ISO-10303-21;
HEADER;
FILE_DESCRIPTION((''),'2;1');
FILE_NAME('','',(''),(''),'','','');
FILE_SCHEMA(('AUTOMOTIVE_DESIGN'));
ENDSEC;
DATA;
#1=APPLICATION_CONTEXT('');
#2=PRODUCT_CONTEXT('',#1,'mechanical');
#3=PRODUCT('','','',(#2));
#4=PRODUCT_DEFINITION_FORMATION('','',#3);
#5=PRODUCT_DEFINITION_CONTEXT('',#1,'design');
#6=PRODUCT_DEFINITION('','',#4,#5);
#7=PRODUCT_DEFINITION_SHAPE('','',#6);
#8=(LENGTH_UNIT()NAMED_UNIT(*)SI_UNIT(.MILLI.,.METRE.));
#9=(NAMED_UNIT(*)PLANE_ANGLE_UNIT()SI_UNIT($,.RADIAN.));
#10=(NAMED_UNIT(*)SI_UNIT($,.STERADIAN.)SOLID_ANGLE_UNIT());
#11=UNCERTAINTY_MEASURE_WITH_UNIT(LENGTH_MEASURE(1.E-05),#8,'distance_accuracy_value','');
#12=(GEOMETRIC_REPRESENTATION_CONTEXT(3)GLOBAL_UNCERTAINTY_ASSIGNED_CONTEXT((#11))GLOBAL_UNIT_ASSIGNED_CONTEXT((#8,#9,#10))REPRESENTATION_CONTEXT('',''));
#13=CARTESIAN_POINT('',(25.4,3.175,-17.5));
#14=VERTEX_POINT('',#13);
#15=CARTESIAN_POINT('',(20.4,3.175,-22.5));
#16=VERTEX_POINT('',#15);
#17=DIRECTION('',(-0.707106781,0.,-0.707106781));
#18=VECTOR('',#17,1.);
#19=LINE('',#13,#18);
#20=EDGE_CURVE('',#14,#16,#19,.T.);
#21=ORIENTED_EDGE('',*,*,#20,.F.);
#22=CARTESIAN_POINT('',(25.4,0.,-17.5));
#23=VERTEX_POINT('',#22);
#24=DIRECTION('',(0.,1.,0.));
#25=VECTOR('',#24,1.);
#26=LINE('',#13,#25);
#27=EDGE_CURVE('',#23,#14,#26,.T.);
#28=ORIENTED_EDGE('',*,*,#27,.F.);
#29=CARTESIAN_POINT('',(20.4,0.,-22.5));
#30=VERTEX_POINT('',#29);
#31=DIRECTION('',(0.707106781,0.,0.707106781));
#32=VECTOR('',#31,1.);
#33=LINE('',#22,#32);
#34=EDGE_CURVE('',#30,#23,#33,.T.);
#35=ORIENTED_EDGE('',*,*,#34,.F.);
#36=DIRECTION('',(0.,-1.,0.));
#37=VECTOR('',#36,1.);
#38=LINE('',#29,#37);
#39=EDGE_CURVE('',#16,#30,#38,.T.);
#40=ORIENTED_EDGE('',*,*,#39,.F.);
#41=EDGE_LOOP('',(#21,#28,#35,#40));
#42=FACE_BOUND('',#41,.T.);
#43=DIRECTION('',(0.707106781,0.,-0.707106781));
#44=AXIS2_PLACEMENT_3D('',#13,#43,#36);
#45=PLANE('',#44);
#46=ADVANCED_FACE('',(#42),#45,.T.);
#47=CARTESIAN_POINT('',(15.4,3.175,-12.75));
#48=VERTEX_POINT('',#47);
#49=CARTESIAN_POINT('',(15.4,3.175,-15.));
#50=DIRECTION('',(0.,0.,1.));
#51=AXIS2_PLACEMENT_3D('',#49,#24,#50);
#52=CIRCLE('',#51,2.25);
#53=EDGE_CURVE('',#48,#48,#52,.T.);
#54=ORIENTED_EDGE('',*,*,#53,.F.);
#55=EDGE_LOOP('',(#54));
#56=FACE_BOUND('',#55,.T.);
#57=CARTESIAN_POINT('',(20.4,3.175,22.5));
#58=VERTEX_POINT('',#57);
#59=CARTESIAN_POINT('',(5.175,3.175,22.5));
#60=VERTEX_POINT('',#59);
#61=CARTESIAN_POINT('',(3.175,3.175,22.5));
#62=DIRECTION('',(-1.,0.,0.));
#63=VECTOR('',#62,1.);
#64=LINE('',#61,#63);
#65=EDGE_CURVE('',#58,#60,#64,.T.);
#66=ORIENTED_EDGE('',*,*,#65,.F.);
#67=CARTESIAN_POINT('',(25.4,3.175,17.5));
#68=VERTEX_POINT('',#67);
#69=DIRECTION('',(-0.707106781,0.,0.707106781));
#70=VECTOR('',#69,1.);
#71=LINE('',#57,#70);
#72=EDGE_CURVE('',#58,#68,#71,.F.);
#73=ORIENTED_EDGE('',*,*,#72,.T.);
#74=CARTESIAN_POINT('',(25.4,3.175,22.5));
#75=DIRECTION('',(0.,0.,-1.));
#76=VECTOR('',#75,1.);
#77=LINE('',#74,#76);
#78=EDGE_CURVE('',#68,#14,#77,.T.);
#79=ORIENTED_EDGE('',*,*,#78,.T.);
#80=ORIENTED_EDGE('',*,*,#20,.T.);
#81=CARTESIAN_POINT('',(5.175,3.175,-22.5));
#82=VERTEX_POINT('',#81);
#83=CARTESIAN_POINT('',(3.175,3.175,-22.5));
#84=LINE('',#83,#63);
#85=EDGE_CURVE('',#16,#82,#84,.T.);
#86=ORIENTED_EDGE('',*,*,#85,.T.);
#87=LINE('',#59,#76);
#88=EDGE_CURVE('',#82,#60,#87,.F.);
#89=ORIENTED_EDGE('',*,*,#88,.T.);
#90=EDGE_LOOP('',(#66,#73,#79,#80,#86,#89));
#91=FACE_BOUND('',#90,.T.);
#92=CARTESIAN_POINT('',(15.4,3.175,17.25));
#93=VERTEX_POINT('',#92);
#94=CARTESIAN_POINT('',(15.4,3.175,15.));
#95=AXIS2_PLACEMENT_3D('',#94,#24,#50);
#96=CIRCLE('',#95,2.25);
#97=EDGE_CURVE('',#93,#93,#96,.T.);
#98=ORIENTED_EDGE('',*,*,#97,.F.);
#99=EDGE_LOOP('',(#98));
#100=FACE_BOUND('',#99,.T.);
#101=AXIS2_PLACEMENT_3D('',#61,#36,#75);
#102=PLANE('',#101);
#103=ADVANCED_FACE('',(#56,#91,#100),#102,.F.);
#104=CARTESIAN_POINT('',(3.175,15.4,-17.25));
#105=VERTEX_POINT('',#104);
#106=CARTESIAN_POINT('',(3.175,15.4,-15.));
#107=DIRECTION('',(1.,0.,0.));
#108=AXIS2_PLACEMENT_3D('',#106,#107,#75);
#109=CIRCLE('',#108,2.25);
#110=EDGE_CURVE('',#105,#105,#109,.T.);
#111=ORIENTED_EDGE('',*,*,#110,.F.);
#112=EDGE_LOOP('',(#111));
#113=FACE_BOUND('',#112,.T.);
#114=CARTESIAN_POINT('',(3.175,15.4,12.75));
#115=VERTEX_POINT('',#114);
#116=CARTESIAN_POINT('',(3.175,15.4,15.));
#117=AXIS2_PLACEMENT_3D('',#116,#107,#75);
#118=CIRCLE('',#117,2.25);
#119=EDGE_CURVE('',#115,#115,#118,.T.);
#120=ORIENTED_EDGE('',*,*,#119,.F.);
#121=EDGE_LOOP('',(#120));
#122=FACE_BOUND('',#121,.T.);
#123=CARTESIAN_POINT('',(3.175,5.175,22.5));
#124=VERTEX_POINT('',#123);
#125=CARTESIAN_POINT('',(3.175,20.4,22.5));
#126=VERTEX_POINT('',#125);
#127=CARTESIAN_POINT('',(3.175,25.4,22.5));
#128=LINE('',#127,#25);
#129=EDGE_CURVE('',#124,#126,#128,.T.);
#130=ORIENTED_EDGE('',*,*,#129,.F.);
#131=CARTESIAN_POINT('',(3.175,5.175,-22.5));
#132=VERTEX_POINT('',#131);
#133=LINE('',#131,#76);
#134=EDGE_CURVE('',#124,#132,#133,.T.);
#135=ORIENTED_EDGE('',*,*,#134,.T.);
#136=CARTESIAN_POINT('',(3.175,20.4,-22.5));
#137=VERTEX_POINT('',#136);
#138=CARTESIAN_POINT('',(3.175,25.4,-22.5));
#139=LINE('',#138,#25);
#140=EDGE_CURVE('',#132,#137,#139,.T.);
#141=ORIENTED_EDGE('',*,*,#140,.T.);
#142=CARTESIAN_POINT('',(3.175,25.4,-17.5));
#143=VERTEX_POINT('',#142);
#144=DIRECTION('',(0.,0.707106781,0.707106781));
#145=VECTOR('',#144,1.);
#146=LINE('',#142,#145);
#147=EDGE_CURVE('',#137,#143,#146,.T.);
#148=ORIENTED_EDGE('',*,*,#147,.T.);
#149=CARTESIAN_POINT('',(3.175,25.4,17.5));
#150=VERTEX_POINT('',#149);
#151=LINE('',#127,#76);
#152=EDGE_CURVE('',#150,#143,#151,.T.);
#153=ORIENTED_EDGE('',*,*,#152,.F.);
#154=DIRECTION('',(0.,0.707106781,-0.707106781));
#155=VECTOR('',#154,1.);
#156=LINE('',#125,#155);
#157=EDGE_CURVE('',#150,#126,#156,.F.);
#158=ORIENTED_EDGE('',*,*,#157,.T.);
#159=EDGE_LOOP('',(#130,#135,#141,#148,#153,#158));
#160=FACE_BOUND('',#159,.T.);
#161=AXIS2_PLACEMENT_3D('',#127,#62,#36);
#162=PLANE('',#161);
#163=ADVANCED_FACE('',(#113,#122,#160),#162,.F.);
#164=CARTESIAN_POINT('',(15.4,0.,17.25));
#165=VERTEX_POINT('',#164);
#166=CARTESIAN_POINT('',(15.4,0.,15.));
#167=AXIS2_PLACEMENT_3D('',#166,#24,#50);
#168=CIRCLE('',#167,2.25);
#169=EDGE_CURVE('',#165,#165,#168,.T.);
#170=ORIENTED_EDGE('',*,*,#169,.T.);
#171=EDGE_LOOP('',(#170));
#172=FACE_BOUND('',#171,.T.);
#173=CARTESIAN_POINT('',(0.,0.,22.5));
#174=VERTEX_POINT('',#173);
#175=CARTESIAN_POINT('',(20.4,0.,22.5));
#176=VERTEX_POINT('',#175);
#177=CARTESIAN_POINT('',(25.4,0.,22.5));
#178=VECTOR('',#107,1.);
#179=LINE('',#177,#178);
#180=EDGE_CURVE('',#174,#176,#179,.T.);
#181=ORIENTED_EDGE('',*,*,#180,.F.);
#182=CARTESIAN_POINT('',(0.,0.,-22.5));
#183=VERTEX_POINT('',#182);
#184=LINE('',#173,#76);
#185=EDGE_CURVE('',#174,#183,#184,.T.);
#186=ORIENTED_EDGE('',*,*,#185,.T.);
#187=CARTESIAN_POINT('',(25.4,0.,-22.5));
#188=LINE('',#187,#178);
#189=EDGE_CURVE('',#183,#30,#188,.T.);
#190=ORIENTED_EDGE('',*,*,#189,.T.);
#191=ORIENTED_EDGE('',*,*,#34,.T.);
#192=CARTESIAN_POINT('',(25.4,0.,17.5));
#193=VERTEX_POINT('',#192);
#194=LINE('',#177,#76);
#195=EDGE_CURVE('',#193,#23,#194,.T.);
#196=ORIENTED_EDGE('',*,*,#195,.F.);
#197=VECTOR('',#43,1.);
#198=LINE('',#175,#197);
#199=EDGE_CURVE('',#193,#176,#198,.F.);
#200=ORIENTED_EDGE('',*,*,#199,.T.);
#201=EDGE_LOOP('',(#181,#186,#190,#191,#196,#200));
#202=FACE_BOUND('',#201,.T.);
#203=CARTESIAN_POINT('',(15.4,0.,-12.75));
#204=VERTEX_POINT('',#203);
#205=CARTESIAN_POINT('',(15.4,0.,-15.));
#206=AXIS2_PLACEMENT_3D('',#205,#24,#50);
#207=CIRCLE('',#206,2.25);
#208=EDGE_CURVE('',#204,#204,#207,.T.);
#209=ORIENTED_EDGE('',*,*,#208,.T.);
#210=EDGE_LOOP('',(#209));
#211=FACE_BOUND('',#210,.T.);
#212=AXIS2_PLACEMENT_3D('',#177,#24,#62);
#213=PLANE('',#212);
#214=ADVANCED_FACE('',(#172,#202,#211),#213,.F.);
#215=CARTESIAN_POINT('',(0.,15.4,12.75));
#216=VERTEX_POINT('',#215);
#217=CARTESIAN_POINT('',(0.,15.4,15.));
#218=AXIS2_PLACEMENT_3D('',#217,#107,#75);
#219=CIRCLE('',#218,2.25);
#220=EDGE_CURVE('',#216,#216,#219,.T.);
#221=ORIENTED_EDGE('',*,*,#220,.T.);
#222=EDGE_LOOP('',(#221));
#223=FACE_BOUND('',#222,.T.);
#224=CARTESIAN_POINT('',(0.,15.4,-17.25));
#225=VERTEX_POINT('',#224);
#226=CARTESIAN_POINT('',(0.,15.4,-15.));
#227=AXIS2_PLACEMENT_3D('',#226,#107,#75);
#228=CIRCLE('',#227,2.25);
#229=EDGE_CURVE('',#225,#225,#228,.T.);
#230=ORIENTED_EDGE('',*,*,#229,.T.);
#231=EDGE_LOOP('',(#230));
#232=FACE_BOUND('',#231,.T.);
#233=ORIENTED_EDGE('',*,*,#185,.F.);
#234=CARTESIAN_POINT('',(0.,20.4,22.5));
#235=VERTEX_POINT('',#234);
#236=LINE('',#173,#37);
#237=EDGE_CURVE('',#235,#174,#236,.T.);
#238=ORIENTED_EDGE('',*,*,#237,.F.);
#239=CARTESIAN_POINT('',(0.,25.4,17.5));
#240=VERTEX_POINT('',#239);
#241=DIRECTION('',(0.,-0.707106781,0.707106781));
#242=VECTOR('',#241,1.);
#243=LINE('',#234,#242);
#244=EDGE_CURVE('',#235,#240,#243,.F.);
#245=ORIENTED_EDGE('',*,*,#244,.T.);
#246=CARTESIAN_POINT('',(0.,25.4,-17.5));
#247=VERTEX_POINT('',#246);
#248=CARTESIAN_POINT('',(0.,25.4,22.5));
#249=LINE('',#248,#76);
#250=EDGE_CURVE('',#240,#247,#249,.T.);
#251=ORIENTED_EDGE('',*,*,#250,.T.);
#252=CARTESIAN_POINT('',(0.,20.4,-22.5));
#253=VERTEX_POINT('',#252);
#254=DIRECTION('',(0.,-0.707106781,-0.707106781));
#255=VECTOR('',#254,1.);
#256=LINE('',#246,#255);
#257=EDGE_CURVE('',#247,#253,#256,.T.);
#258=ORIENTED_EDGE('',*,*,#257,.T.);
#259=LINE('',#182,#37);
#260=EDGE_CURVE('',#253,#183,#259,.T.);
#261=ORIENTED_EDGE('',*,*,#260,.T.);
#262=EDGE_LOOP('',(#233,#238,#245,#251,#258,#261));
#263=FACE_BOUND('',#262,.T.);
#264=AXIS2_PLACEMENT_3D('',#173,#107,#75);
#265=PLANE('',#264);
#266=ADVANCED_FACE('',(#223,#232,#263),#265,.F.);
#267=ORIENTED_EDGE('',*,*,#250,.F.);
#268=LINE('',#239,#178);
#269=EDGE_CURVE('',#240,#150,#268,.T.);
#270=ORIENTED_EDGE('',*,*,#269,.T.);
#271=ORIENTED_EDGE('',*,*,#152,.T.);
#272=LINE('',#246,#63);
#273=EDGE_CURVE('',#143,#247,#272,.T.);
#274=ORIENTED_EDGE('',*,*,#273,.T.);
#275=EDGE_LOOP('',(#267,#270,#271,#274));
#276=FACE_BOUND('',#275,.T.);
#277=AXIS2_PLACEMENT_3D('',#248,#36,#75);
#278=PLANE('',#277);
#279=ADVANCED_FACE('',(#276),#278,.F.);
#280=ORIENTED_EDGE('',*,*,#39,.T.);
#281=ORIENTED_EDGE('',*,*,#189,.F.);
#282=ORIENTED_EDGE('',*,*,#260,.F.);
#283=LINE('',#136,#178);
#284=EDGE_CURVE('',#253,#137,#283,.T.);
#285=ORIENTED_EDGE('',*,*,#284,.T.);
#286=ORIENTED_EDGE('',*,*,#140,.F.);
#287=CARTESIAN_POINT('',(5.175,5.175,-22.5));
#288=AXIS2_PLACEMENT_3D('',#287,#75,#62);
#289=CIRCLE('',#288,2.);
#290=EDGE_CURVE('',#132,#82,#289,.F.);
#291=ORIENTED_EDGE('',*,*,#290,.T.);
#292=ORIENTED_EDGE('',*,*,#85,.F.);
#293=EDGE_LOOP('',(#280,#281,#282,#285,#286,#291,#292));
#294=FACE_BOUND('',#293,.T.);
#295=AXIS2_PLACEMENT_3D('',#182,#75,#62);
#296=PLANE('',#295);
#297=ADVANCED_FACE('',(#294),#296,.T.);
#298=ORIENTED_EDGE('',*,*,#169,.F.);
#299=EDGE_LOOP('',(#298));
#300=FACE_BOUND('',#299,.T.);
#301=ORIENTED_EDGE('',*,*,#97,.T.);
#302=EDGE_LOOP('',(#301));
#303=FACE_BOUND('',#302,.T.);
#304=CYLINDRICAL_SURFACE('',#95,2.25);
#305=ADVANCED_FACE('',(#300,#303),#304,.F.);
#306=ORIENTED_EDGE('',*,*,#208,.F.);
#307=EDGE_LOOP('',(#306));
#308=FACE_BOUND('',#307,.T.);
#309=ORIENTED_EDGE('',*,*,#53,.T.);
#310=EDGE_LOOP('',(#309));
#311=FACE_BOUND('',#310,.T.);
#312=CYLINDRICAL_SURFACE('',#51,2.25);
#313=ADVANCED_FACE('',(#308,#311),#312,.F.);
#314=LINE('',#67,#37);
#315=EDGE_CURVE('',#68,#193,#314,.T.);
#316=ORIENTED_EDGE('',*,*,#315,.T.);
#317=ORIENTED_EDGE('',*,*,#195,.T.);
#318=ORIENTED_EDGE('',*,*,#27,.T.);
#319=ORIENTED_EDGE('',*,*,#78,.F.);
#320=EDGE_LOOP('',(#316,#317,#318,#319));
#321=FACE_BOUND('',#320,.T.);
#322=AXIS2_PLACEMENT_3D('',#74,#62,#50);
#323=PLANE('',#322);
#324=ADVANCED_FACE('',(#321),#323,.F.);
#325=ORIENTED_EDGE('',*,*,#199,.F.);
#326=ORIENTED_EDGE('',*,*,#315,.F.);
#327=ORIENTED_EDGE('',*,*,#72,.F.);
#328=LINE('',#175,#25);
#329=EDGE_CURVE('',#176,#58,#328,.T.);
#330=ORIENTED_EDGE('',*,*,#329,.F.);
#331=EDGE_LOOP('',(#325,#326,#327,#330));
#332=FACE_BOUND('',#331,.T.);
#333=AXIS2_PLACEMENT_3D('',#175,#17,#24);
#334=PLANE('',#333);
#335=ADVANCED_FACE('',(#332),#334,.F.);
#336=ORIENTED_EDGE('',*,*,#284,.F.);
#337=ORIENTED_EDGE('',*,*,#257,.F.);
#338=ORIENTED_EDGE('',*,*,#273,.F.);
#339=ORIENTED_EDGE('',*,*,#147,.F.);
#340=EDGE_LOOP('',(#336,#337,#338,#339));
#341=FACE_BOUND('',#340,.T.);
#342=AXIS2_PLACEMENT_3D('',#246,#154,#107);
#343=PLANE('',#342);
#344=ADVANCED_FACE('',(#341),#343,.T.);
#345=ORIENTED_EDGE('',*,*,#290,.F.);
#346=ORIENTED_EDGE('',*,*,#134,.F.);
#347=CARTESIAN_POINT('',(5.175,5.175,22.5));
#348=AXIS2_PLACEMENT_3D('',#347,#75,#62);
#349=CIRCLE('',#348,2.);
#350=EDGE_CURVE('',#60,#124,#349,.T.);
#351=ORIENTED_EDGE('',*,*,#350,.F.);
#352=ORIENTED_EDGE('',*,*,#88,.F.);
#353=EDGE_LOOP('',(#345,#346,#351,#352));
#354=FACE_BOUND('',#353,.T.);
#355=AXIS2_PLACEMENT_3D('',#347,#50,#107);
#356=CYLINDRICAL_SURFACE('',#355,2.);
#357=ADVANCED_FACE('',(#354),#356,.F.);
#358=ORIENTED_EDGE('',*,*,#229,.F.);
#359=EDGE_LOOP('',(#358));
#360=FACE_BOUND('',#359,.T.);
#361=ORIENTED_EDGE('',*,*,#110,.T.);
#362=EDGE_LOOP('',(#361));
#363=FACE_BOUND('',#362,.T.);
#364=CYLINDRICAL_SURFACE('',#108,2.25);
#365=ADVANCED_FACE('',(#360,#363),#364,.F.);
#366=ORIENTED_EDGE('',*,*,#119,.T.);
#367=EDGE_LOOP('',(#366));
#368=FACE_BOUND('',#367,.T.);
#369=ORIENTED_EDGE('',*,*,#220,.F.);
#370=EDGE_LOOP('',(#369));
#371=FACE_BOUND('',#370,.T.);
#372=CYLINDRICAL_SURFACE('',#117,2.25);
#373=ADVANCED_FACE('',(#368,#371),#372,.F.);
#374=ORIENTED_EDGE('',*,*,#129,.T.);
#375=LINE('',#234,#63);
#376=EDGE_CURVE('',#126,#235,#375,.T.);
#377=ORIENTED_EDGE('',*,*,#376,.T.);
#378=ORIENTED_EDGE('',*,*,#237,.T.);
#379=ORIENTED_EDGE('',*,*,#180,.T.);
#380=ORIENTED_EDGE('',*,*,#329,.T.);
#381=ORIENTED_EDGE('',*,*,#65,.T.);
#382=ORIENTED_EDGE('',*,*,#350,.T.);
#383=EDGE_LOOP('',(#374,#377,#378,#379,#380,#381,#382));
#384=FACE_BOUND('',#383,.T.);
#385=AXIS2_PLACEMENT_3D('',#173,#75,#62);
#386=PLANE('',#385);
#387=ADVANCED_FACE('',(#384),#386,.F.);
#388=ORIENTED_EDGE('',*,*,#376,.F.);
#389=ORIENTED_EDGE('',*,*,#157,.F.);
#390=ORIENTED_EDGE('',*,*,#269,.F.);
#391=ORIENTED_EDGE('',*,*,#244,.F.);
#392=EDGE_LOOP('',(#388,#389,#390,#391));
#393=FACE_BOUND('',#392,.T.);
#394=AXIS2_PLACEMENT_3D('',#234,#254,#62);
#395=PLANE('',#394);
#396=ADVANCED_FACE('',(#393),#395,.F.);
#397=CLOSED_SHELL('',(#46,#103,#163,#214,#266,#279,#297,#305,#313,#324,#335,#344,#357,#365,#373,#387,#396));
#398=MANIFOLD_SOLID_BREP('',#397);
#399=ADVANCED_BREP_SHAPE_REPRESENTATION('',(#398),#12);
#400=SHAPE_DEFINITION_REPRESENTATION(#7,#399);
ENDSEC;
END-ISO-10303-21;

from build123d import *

# Parameters (mm, degrees)
BOSS_EXTRUDE1_DEPTH  = 22.5
M4_CLEARANCE_HOLE1_D = 4.5
M4_CLEARANCE_HOLE2_D = 4.5
FILLET1_R            = 2
CHAMFER1_SIZE        = 5


with BuildPart() as part:
    # Sketch1 → Boss-Extrude1 (new body, symmetric)
    with BuildSketch(Plane.XY):
        Polygon((0, 0), (0, 25.4), (3.175, 25.4), (3.175, 3.175), (25.4, 3.175), (25.4, 0), align=None)
    extrude(amount=BOSS_EXTRUDE1_DEPTH, both=True)

    # M4 Clearance Hole1 (through all)
    with Locations(Plane(origin=(0, 3.175, 0), x_dir=(1, 0, 0), z_dir=(0, 1, 0))):
        with Locations((15.4, 15), (15.4, -15)):
            Hole(M4_CLEARANCE_HOLE1_D / 2)

    # M4 Clearance Hole2 (through all)
    with Locations(Plane(origin=(3.175, 0, 0), x_dir=(0, 0, -1), z_dir=(1, 0, 0))):
        with Locations((-15, 15.4), (15, 15.4)):
            Hole(M4_CLEARANCE_HOLE2_D / 2)

    # Fillet1
    fillet1_edges = [part.edges().sort_by_distance(p)[0] for p in [
        (3.175, 3.175, 0),
    ]]
    fillet(fillet1_edges, radius=FILLET1_R)

    # Chamfer1
    chamfer1_edges = [part.edges().sort_by_distance(p)[0] for p in [
        (1.5875, 25.4, 22.5),
        (1.5875, 25.4, -22.5),
        (25.4, 1.5875, -22.5),
        (25.4, 1.5875, 22.5),
    ]]
    chamfer(chamfer1_edges, length=CHAMFER1_SIZE)


solid = part.part
